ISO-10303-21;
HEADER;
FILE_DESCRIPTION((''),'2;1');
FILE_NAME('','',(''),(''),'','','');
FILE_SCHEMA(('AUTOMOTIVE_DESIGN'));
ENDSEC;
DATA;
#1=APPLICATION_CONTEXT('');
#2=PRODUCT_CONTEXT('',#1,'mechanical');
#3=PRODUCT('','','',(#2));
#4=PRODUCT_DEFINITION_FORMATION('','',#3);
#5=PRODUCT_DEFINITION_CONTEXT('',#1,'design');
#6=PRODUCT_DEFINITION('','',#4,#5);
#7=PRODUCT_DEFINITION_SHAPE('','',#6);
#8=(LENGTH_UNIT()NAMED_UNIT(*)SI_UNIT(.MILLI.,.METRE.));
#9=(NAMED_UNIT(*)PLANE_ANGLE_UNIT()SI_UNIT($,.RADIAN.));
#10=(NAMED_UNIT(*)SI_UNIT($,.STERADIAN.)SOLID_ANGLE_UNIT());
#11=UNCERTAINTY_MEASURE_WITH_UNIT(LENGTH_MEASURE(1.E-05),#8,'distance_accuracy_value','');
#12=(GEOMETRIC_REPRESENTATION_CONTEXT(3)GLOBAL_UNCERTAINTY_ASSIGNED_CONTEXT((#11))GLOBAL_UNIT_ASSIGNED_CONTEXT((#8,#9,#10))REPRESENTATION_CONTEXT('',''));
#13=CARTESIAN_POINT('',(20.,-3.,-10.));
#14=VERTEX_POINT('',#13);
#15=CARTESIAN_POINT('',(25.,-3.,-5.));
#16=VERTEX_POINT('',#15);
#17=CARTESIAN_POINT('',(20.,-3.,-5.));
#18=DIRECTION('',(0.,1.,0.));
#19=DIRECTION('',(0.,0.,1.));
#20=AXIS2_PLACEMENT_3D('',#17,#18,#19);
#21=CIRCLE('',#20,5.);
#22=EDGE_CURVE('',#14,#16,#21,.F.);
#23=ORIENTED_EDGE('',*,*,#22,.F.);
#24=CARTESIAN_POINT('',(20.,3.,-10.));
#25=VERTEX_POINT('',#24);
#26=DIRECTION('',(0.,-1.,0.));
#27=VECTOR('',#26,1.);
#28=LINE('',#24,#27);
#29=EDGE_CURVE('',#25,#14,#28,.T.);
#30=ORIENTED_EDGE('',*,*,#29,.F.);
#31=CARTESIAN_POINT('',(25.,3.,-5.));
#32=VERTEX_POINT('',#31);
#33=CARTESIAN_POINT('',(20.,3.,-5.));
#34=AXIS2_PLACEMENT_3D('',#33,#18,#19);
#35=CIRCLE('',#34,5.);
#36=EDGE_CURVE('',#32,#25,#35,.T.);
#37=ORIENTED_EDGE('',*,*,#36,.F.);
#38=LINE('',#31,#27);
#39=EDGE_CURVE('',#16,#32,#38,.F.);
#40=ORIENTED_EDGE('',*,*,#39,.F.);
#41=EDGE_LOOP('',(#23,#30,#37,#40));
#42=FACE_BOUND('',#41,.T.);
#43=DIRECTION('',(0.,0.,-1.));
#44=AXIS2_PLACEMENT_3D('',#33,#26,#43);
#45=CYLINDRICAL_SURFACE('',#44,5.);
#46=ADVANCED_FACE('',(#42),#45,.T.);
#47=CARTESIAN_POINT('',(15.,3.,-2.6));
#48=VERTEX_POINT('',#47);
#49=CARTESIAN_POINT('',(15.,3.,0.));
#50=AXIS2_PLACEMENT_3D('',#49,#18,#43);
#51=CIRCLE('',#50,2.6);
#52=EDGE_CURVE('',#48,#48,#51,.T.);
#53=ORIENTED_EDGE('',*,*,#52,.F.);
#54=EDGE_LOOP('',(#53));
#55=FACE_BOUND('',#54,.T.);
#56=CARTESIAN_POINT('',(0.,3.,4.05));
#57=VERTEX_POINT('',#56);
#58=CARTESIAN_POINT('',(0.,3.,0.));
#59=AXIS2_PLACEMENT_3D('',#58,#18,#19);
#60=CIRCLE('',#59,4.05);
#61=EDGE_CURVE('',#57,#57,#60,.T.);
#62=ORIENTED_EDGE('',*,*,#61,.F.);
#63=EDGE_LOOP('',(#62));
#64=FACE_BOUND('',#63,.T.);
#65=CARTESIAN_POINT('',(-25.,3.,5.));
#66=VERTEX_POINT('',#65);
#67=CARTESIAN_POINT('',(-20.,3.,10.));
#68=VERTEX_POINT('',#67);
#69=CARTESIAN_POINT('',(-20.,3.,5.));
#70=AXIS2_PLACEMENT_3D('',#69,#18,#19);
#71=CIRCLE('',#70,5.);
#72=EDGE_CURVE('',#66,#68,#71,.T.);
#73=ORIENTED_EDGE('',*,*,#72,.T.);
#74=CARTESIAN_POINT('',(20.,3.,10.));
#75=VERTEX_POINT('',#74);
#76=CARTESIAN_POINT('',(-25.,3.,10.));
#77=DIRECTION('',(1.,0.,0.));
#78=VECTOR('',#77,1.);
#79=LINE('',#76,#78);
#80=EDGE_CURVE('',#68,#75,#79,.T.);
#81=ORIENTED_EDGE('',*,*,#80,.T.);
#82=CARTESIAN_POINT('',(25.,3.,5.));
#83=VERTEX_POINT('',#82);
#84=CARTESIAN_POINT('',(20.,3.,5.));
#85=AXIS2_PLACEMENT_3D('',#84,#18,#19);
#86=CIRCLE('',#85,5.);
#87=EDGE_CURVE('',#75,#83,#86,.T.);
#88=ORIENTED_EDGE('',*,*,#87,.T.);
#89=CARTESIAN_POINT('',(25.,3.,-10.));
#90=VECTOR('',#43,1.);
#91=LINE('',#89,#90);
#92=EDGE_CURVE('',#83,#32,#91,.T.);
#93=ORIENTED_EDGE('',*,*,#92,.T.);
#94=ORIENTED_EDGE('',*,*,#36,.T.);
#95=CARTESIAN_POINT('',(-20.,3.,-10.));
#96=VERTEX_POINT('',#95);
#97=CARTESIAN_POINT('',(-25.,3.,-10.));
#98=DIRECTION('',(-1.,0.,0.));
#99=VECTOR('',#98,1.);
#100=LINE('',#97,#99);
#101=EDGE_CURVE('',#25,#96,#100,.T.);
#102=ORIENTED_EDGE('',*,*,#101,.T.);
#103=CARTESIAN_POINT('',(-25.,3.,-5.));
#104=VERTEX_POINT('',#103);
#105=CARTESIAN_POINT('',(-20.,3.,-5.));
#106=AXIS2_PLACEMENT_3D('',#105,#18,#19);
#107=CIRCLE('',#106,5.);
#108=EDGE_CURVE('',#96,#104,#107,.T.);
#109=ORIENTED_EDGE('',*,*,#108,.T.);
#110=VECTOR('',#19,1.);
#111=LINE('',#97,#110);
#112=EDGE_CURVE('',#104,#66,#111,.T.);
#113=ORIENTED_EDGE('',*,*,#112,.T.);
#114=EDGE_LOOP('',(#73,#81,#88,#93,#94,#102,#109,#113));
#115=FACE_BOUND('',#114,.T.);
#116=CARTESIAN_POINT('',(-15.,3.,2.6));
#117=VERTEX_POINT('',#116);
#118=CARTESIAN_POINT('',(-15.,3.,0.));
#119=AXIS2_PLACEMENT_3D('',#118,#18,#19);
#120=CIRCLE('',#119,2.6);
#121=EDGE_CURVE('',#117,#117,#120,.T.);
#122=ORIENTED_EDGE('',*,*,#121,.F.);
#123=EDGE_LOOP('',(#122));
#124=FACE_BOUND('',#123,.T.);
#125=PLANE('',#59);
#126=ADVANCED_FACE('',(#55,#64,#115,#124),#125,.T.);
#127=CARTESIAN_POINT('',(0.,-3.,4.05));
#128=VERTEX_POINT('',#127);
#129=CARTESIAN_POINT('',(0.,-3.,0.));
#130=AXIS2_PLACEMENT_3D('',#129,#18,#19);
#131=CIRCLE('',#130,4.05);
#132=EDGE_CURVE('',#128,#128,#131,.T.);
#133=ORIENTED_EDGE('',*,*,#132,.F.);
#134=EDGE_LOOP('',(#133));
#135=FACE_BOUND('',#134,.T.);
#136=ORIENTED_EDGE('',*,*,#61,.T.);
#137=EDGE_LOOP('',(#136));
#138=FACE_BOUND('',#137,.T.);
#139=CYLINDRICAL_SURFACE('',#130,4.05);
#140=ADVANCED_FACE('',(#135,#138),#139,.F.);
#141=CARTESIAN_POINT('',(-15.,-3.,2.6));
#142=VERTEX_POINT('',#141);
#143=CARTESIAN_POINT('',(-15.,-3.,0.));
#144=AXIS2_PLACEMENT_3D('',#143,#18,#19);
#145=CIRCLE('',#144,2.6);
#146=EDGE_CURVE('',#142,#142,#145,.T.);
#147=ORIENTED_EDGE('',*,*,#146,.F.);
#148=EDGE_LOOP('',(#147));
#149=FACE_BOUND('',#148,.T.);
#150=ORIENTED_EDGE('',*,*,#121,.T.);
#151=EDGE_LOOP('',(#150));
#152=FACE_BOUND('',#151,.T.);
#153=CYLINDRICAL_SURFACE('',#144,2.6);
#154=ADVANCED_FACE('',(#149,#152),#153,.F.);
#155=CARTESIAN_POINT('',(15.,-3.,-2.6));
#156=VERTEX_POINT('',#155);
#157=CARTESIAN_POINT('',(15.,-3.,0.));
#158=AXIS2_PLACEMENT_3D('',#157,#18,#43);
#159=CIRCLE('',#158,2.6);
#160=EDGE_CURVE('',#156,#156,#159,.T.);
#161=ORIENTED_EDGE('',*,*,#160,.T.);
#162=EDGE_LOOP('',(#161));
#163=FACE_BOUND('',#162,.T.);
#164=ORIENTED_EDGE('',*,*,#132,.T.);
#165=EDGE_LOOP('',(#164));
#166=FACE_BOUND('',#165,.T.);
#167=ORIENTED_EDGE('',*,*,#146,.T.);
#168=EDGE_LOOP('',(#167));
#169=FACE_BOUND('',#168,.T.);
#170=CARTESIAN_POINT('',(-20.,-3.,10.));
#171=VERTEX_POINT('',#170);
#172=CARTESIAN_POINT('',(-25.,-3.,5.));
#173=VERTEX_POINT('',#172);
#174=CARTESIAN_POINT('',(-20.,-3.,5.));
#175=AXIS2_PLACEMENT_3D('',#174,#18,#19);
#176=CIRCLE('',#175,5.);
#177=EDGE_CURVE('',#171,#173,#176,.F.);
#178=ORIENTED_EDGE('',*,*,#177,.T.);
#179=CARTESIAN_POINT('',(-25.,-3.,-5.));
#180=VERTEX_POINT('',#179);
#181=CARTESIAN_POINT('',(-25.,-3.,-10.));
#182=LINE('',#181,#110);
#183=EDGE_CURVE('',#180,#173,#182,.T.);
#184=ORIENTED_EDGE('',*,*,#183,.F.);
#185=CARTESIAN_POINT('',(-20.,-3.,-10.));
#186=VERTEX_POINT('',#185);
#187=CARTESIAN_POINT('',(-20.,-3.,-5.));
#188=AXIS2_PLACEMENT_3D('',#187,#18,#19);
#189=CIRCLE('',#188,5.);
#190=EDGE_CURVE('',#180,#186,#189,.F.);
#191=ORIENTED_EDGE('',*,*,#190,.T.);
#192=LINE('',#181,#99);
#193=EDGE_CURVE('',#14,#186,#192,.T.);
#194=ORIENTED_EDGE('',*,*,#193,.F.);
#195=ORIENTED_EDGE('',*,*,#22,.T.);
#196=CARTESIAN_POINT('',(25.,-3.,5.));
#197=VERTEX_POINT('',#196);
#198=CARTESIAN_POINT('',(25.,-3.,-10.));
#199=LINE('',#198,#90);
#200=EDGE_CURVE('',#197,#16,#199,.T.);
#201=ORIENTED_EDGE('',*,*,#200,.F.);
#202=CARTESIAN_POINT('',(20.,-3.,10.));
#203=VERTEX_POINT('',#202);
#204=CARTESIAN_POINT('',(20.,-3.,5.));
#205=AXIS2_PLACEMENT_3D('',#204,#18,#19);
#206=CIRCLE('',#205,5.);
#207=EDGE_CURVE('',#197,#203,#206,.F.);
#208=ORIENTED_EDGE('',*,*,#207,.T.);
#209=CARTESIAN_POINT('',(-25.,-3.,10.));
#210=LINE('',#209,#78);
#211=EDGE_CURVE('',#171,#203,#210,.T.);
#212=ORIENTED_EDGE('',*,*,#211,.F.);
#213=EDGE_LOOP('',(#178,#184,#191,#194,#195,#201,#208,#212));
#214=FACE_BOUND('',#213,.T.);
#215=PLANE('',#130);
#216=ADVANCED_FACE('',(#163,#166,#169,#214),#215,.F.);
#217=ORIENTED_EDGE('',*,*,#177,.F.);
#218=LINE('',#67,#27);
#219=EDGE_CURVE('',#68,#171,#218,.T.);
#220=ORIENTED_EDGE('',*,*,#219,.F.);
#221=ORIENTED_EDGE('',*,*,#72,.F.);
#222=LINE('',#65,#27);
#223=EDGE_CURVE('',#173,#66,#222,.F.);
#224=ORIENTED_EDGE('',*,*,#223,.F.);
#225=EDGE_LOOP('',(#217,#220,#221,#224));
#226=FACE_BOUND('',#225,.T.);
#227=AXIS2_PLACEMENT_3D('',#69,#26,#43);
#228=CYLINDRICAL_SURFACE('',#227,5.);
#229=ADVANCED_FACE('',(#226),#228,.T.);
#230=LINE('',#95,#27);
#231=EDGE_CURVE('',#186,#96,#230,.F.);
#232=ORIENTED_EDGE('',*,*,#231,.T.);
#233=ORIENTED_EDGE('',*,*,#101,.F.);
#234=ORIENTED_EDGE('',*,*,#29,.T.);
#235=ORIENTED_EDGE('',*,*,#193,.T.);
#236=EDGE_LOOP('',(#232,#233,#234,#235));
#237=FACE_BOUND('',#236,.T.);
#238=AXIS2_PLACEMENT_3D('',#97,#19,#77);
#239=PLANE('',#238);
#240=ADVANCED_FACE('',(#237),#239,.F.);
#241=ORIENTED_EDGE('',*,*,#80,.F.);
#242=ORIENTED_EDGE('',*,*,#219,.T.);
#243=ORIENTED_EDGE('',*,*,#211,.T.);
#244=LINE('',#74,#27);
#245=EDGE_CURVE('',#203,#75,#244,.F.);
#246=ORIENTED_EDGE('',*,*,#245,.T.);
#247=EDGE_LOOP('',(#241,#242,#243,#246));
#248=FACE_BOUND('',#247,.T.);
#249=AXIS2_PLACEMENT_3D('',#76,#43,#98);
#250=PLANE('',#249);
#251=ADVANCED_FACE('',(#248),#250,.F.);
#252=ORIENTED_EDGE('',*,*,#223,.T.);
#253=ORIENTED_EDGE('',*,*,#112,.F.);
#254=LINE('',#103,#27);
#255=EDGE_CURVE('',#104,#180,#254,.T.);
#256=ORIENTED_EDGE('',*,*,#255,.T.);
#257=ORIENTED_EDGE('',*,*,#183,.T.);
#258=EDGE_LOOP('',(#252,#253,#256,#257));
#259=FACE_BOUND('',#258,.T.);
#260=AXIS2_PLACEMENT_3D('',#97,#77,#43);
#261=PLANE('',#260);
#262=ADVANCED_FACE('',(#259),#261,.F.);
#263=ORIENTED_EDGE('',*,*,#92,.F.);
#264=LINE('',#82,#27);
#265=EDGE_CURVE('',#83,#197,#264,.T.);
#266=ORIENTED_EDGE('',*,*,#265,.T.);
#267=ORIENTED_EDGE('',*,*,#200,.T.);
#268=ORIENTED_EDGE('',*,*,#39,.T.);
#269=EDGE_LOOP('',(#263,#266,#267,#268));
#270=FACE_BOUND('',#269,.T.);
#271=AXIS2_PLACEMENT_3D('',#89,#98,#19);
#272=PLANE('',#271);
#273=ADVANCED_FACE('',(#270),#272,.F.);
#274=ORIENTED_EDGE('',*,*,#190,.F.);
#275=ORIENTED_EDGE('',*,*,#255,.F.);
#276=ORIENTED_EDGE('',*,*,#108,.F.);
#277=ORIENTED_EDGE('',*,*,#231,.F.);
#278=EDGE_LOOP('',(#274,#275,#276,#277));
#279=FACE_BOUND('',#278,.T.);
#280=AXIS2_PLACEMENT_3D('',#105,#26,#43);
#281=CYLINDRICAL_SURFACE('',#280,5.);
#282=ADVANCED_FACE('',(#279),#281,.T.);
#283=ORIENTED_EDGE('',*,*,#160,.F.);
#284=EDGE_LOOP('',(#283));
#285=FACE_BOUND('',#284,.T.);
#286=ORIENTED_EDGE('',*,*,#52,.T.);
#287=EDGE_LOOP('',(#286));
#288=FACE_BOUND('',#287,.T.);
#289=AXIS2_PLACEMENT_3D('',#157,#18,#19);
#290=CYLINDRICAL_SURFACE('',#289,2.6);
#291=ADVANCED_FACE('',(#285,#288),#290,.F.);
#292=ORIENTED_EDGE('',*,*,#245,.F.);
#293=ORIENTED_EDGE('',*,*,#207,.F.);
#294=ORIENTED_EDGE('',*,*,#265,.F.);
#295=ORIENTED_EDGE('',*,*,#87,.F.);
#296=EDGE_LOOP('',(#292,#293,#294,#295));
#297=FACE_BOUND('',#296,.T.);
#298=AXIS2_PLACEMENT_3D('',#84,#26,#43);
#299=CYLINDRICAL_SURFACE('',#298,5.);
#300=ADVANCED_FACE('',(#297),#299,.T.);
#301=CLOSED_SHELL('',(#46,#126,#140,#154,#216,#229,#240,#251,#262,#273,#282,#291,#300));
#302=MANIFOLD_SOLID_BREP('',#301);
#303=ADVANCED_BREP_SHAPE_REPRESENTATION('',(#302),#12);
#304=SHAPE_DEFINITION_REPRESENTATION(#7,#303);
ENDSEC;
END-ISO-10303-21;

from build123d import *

# Parameters (mm, degrees)
ESBO_O1_W                = 50
ESBO_O1_H                = 20
RESSALTO_EXTRUS_O1_DEPTH = 3
ESBO_O3_R                = 4.05
ESBO_O3_R_2              = 2.6
CORTE_EXTRUS_O1_DEPTH    = 6
FILETE1_R                = 5


with BuildPart() as part:
    # Esboço1 → Ressalto-extrusão1 (new, symmetric)
    with BuildSketch(Plane(origin=(0, 0, 0), x_dir=(1, 0, 0), z_dir=(0, 1, 0))):
        Rectangle(ESBO_O1_W, ESBO_O1_H)
    extrude(amount=RESSALTO_EXTRUS_O1_DEPTH, both=True)

    # Esboço3 → Corte-extrusão1 (cut)
    with BuildSketch(Plane(origin=(0, 3, 0), x_dir=(1, 0, 0), z_dir=(0, 1, 0))):
        with Locations(Location((0, 0, 0), (0, 0, 270))):
            Circle(ESBO_O3_R)
        with Locations(Location((-15, 0, 0), (0, 0, 270))):
            Circle(ESBO_O3_R_2)
        with Locations(Location((15, 0, 0), (0, 0, 90))):
            Circle(ESBO_O3_R_2)
    extrude(amount=-CORTE_EXTRUS_O1_DEPTH, mode=Mode.SUBTRACT)

    # Filete1
    filete1_edges = [part.edges().sort_by_distance(p)[0] for p in [
        (25, 0, 10),
        (-25, 0, 10),
        (-25, 0, -10),
        (25, 0, -10),
    ]]
    fillet(filete1_edges, radius=FILETE1_R)


solid = part.part
